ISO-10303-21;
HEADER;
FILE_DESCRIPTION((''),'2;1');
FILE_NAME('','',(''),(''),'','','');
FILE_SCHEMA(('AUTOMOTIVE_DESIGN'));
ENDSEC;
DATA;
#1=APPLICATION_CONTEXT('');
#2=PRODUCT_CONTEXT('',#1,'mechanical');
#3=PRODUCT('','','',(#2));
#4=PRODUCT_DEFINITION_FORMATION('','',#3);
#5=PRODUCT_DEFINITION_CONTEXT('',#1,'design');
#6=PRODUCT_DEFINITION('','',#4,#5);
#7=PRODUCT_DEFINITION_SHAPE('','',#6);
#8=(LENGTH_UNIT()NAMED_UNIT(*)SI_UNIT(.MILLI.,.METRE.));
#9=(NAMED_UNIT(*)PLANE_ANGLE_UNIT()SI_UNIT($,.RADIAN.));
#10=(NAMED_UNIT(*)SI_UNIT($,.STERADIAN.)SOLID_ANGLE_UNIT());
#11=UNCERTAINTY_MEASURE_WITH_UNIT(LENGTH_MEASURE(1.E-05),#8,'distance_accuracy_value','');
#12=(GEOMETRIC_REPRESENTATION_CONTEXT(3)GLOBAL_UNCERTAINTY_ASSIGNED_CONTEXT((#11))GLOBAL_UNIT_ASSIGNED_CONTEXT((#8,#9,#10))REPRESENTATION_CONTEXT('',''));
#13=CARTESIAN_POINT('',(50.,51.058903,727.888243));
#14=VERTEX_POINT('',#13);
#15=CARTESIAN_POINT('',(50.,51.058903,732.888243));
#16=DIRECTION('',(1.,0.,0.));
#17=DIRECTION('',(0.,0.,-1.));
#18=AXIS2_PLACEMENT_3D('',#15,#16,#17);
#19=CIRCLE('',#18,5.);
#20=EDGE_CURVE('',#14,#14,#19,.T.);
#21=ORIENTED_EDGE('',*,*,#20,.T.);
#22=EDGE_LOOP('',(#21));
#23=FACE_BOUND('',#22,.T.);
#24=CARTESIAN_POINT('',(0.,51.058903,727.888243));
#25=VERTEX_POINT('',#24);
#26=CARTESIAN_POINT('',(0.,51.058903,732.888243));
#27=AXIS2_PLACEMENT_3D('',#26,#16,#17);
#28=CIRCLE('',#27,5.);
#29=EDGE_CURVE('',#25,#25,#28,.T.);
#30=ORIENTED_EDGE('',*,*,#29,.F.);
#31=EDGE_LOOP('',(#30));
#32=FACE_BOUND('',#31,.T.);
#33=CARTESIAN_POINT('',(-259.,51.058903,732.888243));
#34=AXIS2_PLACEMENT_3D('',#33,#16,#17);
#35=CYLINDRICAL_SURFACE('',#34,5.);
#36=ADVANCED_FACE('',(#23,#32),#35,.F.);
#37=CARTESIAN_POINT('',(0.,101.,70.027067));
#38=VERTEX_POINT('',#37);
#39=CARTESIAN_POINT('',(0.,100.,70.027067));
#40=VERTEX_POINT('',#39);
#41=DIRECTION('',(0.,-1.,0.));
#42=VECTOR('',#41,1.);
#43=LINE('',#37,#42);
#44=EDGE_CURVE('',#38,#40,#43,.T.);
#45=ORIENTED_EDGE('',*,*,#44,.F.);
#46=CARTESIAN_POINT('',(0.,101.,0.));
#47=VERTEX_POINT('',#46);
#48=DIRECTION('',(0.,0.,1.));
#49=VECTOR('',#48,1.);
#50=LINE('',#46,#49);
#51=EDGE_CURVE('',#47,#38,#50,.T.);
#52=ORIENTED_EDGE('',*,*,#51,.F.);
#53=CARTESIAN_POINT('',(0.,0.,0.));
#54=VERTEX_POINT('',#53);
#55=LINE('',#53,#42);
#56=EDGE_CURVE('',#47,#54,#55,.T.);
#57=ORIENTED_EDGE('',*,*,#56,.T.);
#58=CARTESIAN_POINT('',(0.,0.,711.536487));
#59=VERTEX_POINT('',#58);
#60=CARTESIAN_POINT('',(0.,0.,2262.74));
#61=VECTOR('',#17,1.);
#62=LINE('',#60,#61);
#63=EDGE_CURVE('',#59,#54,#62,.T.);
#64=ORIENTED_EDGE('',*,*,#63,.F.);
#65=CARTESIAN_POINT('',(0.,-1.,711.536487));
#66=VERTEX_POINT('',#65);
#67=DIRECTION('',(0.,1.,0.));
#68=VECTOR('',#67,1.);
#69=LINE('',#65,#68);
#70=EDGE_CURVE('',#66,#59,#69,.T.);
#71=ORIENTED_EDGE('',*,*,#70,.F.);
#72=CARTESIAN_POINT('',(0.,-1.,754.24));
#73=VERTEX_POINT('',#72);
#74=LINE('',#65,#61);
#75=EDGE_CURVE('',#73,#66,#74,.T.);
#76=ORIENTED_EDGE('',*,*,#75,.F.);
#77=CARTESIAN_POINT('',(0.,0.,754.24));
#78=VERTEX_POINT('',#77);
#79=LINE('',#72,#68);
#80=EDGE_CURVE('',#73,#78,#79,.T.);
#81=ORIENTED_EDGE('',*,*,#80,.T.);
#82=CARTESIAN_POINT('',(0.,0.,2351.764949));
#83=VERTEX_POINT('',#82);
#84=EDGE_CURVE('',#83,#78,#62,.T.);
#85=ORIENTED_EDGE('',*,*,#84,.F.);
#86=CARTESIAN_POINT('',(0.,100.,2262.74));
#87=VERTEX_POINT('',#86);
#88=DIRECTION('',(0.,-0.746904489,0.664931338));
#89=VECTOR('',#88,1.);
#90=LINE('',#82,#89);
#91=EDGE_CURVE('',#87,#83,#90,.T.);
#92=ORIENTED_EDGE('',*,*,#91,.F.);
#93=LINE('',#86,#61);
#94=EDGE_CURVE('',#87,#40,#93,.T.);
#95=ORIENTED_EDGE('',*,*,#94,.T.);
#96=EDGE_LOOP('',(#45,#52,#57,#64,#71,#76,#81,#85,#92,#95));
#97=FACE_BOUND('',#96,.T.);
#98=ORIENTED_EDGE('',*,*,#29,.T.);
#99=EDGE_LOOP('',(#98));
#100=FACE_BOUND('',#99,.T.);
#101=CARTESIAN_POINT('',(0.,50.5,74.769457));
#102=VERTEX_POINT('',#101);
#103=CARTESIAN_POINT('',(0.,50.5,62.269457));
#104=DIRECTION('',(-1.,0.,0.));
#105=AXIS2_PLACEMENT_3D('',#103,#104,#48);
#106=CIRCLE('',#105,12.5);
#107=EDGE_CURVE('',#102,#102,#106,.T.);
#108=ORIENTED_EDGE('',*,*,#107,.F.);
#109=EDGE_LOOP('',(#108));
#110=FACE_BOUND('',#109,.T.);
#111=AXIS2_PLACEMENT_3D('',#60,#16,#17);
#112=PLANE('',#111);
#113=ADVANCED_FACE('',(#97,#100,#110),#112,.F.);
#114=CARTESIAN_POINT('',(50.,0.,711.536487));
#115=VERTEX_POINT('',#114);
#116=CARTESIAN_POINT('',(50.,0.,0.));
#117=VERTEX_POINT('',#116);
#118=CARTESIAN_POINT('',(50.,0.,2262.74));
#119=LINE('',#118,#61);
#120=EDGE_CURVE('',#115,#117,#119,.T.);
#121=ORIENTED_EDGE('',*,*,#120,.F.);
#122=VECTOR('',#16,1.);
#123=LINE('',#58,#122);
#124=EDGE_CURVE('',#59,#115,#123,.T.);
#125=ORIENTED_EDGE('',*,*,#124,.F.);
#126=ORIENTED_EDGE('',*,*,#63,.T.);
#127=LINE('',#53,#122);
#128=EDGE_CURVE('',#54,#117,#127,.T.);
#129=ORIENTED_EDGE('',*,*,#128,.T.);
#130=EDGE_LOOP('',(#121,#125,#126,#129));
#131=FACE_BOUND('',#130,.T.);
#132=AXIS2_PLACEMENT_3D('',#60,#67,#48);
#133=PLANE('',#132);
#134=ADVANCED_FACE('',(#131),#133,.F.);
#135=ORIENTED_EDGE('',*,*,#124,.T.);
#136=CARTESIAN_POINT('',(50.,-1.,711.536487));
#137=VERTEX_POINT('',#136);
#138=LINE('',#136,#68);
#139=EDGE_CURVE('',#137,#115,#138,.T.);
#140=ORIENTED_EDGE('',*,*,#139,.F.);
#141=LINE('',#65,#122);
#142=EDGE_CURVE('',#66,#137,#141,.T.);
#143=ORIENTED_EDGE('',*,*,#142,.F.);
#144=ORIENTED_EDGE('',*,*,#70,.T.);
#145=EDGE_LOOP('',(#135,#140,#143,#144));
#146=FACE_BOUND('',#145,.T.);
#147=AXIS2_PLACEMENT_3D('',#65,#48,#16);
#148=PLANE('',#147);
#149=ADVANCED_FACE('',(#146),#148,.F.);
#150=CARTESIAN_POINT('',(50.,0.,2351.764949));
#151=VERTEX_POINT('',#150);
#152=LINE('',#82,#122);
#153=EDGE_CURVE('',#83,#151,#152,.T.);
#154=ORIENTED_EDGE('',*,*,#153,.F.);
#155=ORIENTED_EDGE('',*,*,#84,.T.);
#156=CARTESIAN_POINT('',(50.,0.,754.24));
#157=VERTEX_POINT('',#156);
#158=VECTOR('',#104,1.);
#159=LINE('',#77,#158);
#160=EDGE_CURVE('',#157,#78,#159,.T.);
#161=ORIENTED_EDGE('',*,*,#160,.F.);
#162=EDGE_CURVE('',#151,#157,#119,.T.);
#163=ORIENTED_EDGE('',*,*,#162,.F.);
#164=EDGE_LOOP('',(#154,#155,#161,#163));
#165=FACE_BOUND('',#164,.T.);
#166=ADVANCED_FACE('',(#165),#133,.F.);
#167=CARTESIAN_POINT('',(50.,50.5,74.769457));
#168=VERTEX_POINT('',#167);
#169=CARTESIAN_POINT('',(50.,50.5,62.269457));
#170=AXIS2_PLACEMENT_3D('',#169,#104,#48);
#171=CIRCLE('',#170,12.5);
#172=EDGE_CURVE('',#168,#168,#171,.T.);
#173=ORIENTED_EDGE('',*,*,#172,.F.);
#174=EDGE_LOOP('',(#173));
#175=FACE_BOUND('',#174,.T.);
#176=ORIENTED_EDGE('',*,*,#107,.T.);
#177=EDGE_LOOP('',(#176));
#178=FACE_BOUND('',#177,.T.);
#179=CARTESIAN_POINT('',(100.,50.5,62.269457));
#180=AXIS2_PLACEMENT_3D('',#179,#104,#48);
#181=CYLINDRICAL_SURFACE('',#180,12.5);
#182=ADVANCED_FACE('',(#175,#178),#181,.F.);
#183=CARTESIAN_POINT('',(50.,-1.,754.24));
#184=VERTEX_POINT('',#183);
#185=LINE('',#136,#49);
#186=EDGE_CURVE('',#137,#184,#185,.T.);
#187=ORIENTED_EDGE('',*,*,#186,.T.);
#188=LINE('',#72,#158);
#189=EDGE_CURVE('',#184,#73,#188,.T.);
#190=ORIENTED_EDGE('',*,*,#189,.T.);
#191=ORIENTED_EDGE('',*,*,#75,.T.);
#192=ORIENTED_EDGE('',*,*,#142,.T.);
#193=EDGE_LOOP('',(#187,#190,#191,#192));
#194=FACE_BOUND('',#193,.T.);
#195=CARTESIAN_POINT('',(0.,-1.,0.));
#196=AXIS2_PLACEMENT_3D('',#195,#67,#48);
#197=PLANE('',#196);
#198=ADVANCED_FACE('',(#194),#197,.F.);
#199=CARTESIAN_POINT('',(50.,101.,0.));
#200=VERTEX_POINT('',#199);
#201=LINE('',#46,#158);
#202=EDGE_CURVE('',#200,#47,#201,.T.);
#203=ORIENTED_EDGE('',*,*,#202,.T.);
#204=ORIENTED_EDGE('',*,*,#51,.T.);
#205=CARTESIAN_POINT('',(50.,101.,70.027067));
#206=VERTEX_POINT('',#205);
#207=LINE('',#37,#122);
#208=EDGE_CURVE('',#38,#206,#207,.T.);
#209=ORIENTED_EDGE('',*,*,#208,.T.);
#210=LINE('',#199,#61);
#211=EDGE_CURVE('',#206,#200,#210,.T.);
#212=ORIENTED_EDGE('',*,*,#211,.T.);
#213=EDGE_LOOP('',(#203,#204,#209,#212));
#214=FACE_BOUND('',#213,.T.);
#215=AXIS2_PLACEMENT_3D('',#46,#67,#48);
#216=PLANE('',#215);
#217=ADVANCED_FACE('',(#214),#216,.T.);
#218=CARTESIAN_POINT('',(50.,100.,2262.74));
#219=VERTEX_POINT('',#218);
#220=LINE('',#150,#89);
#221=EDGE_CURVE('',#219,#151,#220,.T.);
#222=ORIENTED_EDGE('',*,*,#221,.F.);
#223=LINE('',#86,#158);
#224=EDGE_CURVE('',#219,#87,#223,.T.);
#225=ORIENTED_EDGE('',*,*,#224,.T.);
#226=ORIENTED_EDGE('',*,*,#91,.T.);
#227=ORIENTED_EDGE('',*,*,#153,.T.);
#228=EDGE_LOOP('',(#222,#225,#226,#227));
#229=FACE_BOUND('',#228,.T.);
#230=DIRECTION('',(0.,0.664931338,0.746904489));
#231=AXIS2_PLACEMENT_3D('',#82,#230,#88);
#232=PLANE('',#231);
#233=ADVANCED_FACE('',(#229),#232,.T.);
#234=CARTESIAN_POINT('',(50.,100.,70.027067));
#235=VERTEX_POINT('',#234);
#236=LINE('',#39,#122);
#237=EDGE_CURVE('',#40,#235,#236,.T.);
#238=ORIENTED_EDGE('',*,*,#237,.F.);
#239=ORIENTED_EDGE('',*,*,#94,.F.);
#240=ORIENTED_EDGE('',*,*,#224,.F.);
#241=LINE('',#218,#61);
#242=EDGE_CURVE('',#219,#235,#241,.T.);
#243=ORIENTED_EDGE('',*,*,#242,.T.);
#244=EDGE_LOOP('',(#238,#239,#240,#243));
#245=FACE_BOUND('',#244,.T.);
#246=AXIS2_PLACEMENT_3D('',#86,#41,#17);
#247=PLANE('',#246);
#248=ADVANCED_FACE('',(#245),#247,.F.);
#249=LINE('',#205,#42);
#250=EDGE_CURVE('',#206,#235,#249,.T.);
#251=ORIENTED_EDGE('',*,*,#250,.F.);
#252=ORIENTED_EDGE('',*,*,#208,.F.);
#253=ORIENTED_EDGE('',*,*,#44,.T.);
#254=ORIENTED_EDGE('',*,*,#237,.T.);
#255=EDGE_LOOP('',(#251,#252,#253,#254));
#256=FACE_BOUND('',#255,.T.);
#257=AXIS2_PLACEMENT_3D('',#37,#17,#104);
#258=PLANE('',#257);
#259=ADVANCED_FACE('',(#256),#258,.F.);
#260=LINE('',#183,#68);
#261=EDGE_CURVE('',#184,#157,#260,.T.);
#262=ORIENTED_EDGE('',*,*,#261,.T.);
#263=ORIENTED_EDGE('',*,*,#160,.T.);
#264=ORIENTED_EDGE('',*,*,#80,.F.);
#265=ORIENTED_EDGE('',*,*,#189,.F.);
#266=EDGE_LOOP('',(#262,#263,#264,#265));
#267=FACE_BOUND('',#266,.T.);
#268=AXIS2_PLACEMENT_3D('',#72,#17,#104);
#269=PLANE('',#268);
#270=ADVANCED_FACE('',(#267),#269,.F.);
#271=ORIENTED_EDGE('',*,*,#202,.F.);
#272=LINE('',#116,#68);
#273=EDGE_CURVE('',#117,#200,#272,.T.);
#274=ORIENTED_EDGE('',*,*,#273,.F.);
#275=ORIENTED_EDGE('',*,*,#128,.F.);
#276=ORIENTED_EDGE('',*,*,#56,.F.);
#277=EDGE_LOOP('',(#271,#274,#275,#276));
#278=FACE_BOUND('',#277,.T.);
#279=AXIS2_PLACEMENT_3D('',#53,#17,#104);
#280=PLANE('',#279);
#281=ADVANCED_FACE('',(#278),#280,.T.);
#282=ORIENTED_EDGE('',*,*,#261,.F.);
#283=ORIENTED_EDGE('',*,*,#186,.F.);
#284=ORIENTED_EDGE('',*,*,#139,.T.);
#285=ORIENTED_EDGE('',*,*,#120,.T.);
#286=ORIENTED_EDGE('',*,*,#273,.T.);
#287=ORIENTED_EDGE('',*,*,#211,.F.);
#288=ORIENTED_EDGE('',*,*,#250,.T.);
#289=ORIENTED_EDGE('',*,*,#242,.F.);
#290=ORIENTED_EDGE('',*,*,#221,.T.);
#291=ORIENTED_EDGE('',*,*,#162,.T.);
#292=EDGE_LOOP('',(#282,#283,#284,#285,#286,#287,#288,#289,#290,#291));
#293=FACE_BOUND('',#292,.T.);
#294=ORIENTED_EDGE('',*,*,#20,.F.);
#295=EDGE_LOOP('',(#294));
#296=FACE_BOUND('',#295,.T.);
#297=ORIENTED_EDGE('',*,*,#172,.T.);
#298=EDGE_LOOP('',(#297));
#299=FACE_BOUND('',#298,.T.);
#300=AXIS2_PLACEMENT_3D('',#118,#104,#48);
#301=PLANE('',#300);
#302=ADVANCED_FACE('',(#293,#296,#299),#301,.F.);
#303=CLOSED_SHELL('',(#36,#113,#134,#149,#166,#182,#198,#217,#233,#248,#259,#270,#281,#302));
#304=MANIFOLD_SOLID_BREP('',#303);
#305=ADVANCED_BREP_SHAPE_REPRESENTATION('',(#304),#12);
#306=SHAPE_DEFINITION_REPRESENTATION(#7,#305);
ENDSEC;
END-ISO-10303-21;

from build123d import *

# Parameters (mm, degrees)
SKETCH1_W           = 50
SKETCH1_H           = 100
BOSS_EXTRUDE1_DEPTH = 2262.74
SKETCH2_W           = 50
SKETCH2_H           = 70.027066898
BOSS_EXTRUDE2_DEPTH = 1
SKETCH3_W           = 50
SKETCH3_H           = 42.703513447
BOSS_EXTRUDE3_DEPTH = 1
SKETCH4_R           = 5
CUT_EXTRUDE1_DEPTH  = 309
SKETCH7_R           = 12.5
CUT_EXTRUDE2_DEPTH  = 100
BOSS_EXTRUDE5_DEPTH = 50


with BuildPart() as part:
    # Sketch1 → Boss-Extrude1 (new body)
    with BuildSketch(Plane.XY):
        with Locations((25, 50)):
            Rectangle(SKETCH1_W, SKETCH1_H)
    extrude(amount=BOSS_EXTRUDE1_DEPTH)

    # Sketch2 → Boss-Extrude2 (add)
    with BuildSketch(Plane(origin=(0, 100, 0), x_dir=(1, 0, 0), z_dir=(0, 1, 0))):
        with Locations((25, -35.013533449)):
            Rectangle(SKETCH2_W, SKETCH2_H)
    extrude(amount=BOSS_EXTRUDE2_DEPTH)

    # Sketch3 → Boss-Extrude3 (add)
    with BuildSketch(Plane.XZ):
        with Locations((25, 732.888243277)):
            Rectangle(SKETCH3_W, SKETCH3_H)
    extrude(amount=BOSS_EXTRUDE3_DEPTH)

    # Sketch4 → Cut-Extrude1 (cut)
    with BuildSketch(Plane(origin=(50, 0, 0), x_dir=(0, 0, -1), z_dir=(1, 0, 0))):
        with Locations((-732.888243277, 51.05890277)):
            Circle(SKETCH4_R)
    extrude(amount=-CUT_EXTRUDE1_DEPTH, mode=Mode.SUBTRACT)

    # Sketch7 → Cut-Extrude2 (cut)
    with BuildSketch(Plane.ZY):
        with Locations((62.269457415, 50.5)):
            Circle(SKETCH7_R)
    extrude(amount=-CUT_EXTRUDE2_DEPTH, mode=Mode.SUBTRACT)

    # Sketch8 → Boss-Extrude5 (add)
    with BuildSketch(Plane(origin=(50, 0, 0), x_dir=(0, 0, -1), z_dir=(1, 0, 0))):
        Polygon((-2262.74, 0), (-2351.764948591, 0), (-2262.74, 100), align=None)
    extrude(amount=-BOSS_EXTRUDE5_DEPTH)


solid = part.part
